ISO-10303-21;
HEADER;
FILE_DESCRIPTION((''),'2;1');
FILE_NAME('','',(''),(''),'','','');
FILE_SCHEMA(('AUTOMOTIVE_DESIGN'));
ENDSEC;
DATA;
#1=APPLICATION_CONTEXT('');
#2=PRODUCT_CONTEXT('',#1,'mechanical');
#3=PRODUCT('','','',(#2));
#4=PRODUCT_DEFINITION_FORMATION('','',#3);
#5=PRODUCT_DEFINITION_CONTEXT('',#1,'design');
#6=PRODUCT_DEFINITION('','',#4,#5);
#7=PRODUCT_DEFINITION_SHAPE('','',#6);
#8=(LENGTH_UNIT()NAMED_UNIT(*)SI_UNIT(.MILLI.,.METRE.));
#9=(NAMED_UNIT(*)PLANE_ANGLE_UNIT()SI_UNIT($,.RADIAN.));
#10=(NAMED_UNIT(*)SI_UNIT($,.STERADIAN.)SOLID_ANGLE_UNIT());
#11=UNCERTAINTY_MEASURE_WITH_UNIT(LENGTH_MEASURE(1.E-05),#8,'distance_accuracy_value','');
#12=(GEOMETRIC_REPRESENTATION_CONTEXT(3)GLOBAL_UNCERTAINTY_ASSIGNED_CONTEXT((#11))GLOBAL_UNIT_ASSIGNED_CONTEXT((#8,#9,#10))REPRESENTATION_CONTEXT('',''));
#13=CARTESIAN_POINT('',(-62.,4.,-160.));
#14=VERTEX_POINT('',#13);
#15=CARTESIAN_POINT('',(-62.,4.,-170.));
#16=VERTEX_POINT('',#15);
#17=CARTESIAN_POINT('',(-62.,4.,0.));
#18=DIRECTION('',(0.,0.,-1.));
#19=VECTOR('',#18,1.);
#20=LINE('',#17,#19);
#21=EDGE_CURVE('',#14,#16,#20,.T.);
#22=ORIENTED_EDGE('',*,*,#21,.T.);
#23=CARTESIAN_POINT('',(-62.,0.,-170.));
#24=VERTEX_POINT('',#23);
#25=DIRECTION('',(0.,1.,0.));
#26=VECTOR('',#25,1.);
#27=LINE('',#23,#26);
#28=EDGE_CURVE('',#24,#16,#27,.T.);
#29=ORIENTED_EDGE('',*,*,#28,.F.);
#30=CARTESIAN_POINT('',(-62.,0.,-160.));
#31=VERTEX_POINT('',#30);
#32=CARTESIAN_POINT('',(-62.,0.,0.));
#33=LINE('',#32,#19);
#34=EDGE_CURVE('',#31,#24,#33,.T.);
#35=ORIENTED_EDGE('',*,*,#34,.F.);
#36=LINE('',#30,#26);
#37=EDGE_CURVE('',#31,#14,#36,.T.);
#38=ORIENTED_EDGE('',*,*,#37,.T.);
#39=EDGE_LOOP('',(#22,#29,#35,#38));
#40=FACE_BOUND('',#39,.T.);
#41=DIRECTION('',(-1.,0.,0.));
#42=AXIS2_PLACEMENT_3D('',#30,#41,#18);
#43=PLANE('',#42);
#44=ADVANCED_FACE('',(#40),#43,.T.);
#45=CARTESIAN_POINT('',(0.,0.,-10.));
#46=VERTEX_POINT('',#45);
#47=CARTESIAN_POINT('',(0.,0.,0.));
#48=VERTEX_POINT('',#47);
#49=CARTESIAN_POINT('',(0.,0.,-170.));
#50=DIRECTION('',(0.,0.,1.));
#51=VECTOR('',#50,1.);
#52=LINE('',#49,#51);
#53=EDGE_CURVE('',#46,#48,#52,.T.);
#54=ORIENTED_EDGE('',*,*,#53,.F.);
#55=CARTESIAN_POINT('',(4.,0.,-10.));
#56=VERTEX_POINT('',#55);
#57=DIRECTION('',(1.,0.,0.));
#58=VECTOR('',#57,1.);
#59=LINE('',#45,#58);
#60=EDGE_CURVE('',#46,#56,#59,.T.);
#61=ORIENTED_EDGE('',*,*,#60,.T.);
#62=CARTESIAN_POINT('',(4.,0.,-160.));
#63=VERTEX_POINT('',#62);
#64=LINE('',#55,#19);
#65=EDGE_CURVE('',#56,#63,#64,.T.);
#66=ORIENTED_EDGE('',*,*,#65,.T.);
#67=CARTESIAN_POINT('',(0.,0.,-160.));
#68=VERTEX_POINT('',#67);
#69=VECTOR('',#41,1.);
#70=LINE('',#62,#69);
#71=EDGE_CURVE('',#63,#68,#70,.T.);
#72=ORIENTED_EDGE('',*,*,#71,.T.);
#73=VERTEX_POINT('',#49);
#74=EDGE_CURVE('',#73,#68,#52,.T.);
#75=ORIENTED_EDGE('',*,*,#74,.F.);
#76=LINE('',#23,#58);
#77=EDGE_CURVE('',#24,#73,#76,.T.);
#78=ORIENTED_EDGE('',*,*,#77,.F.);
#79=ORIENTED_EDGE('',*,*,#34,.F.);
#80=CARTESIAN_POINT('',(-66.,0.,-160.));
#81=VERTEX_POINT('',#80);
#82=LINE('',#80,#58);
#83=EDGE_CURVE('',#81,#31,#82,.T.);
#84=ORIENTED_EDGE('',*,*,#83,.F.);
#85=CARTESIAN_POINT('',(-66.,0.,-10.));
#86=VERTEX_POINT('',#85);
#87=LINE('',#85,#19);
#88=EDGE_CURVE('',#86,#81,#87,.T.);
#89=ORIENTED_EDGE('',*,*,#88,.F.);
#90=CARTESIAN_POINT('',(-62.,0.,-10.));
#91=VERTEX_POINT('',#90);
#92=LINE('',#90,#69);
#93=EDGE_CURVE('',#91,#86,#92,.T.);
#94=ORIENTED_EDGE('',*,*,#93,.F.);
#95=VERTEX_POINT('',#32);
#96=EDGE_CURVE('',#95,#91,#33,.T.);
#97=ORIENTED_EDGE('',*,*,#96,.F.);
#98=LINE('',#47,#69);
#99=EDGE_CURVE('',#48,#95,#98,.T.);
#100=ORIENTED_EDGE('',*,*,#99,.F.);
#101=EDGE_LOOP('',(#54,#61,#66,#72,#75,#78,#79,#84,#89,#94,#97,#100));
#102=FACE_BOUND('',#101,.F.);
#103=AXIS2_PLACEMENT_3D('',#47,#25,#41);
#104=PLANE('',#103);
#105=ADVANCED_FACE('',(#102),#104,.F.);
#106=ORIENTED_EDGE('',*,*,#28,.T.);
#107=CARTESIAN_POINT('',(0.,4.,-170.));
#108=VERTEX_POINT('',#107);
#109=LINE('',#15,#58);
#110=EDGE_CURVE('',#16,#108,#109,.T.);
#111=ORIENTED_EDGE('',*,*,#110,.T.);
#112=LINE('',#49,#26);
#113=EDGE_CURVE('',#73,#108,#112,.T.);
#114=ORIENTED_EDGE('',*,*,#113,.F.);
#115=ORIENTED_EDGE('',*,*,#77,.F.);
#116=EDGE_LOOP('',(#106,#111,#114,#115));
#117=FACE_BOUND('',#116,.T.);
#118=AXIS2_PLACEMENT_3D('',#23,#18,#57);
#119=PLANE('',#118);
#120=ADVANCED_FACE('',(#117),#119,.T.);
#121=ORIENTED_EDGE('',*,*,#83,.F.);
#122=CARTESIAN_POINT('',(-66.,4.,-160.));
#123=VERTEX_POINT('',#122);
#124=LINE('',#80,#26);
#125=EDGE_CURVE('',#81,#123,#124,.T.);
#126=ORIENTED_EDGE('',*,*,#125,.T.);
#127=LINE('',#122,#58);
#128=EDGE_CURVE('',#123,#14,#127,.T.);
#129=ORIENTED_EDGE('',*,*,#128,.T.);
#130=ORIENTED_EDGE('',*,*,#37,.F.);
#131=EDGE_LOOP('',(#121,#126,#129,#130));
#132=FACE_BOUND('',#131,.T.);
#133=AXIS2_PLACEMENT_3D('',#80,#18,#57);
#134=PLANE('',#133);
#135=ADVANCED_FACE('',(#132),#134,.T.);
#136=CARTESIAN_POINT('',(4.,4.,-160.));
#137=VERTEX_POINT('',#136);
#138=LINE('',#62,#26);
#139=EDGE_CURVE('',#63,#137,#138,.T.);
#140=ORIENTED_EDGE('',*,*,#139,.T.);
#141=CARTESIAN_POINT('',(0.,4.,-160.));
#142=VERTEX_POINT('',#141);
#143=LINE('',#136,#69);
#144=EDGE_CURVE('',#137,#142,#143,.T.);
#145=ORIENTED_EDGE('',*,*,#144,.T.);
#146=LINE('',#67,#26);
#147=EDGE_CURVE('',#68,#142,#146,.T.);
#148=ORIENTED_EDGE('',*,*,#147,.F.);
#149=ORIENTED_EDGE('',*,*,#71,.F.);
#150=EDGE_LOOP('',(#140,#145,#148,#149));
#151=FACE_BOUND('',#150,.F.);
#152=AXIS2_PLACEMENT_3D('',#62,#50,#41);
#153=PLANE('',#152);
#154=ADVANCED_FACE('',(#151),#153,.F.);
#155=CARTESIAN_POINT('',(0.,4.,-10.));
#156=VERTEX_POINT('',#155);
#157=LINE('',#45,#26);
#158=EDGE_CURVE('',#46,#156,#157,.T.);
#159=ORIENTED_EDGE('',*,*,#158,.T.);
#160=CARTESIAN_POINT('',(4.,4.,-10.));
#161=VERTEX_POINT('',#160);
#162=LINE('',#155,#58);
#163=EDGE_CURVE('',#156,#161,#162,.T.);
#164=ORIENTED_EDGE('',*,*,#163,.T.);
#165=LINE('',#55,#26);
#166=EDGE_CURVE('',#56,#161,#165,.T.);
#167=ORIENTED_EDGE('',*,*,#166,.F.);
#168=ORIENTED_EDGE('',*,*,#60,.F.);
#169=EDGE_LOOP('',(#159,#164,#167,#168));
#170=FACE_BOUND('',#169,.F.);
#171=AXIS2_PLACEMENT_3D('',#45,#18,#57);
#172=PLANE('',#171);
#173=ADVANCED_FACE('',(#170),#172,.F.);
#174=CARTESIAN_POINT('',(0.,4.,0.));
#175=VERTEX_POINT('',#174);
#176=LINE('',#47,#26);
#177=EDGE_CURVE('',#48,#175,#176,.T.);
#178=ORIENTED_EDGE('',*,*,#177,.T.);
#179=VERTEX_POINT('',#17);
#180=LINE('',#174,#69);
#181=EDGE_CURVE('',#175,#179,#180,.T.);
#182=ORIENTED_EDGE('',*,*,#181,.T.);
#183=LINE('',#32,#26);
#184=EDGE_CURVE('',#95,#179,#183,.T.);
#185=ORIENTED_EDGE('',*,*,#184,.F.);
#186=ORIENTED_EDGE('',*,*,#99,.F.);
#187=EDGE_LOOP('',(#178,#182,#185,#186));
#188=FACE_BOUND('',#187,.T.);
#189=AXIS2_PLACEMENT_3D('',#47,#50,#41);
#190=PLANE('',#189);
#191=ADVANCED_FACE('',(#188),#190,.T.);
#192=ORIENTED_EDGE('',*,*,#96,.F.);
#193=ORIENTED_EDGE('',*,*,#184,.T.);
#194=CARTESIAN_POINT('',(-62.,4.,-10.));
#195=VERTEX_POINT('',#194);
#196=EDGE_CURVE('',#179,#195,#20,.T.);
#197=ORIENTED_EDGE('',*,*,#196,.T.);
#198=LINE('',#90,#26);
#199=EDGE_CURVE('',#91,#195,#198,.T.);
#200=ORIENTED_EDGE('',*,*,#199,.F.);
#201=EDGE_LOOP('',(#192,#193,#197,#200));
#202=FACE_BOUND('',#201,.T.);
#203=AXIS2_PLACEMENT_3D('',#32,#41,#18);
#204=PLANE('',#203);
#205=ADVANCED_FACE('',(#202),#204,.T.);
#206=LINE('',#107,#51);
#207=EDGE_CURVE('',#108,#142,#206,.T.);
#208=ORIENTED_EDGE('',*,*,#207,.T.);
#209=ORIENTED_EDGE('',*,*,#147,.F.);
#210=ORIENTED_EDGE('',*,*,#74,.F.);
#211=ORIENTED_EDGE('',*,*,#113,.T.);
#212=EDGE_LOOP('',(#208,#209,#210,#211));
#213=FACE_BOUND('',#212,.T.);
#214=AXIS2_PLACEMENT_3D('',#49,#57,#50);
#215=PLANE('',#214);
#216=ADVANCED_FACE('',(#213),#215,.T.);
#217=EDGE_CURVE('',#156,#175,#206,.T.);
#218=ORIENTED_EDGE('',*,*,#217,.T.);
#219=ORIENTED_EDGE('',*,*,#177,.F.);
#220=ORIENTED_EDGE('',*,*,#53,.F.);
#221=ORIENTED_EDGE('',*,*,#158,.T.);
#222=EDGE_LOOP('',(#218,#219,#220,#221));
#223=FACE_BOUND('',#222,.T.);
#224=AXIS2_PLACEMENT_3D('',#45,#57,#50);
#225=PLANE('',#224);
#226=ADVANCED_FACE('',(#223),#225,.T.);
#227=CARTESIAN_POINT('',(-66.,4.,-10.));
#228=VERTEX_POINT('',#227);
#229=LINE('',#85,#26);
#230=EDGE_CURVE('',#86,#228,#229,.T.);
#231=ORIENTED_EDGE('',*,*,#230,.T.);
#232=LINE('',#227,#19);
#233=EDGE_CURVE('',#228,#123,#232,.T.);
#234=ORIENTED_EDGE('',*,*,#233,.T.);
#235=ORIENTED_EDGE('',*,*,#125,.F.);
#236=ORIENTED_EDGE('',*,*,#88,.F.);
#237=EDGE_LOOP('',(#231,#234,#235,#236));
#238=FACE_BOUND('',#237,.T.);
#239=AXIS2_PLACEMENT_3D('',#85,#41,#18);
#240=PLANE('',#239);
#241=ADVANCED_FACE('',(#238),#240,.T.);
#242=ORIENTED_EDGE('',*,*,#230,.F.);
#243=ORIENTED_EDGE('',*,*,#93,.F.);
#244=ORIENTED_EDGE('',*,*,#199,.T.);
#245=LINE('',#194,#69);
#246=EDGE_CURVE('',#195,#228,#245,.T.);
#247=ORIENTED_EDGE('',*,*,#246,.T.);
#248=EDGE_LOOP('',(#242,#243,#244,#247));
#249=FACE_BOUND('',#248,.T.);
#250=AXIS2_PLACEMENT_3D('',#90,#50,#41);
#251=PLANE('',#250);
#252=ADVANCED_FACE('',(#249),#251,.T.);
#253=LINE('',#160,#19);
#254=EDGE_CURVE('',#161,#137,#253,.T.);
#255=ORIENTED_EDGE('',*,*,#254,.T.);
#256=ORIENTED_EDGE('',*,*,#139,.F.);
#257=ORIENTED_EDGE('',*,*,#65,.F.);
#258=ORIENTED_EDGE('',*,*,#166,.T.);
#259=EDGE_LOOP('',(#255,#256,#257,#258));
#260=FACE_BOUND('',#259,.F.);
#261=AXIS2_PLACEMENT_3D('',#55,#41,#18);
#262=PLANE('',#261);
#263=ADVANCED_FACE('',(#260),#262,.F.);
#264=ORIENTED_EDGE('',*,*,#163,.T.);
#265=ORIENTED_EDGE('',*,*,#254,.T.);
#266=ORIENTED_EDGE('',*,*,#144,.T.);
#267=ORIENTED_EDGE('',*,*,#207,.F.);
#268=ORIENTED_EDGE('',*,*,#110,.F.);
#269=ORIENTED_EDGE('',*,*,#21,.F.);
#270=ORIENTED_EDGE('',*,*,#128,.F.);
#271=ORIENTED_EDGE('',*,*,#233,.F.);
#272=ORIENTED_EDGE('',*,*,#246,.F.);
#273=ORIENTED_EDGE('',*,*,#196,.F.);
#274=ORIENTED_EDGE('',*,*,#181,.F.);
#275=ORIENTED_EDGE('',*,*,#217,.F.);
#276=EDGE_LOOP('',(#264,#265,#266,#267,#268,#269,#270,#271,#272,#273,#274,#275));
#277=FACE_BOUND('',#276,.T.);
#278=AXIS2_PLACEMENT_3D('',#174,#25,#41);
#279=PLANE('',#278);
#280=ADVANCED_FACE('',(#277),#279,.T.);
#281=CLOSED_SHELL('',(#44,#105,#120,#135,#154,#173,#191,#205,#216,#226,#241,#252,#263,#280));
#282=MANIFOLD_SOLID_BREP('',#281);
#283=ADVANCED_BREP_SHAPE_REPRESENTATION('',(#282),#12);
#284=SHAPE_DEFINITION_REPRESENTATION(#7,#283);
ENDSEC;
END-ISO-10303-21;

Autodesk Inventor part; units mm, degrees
ref_plane "YZ Plane" through (0, 0, 0) normal (1, 0, 0) x (0, 1, 0)
ref_plane "XZ Plane" through (0, 0, 0) normal (0, 1, 0) x (-1, 0, 0)
ref_plane "XY Plane" through (0, 0, 0) normal (0, 0, 1) x (1, 0, 0)
sketch "スケッチ1" plane through (0, 0, 0) normal (0, 1, 0) x (-1, 0, 0)
  line L0 (0, 0) -> (62, 0)
  line L1 (62, 0) -> (62, -170)
  line L2 (62, -170) -> (0, -170)
  line L3 (0, -170) -> (0, 0)
  line L4 (62, -10) -> (66, -10)
  line L5 (66, -10) -> (66, -160)
  line L6 (66, -160) -> (62, -160)
  line L7 (62, -160) -> (62, -10)
  line L8 (0, -10) -> (-4, -10)
  line L9 (-4, -10) -> (-4, -160)
  line L10 (-4, -160) -> (0, -160)
  line L11 (0, -160) -> (0, -10)
  point P0 (0, -160)
  dimension "d0" = 62
  dimension "d1" = 170
  dimension "d2" = 4
  dimension "d3" = 150
  dimension "d4" = 4
  dimension "d5" = 150
  dimension "d6" = 10
  dimension "d7" = 10
extrude "押し出し1" add sketch "スケッチ1" along normal blind 4
properties part number "ER_lipo_sikiri_up" material "木材 (オーク)"
